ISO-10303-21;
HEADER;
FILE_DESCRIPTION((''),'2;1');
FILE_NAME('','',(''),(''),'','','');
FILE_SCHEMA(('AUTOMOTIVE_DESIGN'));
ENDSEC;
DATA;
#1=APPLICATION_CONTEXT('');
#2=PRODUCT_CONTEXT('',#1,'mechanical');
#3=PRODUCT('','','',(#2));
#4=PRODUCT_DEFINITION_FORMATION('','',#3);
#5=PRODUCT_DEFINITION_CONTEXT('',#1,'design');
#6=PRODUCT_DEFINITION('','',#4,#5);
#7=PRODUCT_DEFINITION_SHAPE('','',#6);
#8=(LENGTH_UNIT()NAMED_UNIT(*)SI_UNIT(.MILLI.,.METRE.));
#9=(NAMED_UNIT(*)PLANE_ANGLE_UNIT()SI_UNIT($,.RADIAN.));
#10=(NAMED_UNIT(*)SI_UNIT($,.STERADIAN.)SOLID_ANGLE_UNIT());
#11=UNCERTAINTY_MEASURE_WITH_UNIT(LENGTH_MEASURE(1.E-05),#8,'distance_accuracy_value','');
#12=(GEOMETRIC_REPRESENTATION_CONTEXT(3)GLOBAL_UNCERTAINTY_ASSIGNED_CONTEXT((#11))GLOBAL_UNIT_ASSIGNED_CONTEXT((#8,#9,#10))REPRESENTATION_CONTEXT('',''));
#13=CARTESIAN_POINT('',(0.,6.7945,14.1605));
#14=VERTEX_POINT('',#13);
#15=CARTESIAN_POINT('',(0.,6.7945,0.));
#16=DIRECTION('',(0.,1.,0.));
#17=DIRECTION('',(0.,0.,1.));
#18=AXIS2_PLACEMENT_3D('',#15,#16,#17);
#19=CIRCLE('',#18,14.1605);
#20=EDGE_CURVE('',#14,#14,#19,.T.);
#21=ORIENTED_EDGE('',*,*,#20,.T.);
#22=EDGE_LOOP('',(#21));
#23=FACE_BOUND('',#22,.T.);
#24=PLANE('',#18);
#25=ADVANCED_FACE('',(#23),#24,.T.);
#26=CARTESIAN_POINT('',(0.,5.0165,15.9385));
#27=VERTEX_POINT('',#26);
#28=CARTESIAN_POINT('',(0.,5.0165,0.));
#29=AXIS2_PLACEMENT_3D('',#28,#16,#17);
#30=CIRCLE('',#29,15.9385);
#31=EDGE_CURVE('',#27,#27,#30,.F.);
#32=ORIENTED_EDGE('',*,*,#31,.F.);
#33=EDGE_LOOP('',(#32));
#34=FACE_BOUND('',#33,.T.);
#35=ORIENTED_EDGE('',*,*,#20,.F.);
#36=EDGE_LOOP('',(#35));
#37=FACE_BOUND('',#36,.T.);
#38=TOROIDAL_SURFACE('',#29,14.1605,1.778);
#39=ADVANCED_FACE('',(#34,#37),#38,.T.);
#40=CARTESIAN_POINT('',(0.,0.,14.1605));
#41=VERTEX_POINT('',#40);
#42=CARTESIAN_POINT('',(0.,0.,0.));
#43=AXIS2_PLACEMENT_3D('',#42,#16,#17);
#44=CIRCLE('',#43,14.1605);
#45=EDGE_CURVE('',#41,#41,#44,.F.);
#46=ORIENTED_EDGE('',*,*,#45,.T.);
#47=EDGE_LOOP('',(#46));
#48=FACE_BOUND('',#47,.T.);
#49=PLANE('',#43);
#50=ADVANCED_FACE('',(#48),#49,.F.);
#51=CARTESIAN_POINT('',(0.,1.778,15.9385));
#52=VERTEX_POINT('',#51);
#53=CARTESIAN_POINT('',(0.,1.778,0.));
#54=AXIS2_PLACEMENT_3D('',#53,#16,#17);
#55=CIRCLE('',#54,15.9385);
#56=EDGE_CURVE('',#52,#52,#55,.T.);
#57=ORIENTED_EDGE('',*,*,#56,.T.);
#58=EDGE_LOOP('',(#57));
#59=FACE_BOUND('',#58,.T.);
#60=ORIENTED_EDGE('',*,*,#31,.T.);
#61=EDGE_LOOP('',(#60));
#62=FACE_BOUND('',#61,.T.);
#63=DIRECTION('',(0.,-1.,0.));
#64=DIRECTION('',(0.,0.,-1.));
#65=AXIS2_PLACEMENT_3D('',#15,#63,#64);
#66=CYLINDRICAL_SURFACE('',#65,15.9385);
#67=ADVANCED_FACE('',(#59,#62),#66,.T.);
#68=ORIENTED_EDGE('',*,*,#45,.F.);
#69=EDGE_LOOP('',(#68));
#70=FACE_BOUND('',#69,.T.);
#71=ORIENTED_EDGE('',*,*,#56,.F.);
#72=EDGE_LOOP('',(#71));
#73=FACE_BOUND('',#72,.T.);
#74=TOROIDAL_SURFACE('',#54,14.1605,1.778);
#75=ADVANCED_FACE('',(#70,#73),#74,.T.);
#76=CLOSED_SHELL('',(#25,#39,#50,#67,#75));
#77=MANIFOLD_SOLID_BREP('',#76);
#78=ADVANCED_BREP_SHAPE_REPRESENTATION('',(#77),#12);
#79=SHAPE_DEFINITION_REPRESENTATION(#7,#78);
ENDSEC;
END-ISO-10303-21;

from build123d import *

# Parameters (mm, degrees)
SKETCH1_R           = 15.9385
BOSS_EXTRUDE1_DEPTH = 6.7945
FILLET1_R           = 1.778


with BuildPart() as part:
    # Sketch1 → Boss-Extrude1 (new body)
    with BuildSketch(Plane(origin=(0, 0, 0), x_dir=(1, 0, 0), z_dir=(0, 1, 0))):
        Circle(SKETCH1_R)
    extrude(amount=BOSS_EXTRUDE1_DEPTH)

    # Fillet1
    fillet1_edges = [part.edges().sort_by_distance(p)[0] for p in [
        (-15.9385, 0, 0),
        (-15.9385, 6.7945, 0),
    ]]
    fillet(fillet1_edges, radius=FILLET1_R)


solid = part.part
